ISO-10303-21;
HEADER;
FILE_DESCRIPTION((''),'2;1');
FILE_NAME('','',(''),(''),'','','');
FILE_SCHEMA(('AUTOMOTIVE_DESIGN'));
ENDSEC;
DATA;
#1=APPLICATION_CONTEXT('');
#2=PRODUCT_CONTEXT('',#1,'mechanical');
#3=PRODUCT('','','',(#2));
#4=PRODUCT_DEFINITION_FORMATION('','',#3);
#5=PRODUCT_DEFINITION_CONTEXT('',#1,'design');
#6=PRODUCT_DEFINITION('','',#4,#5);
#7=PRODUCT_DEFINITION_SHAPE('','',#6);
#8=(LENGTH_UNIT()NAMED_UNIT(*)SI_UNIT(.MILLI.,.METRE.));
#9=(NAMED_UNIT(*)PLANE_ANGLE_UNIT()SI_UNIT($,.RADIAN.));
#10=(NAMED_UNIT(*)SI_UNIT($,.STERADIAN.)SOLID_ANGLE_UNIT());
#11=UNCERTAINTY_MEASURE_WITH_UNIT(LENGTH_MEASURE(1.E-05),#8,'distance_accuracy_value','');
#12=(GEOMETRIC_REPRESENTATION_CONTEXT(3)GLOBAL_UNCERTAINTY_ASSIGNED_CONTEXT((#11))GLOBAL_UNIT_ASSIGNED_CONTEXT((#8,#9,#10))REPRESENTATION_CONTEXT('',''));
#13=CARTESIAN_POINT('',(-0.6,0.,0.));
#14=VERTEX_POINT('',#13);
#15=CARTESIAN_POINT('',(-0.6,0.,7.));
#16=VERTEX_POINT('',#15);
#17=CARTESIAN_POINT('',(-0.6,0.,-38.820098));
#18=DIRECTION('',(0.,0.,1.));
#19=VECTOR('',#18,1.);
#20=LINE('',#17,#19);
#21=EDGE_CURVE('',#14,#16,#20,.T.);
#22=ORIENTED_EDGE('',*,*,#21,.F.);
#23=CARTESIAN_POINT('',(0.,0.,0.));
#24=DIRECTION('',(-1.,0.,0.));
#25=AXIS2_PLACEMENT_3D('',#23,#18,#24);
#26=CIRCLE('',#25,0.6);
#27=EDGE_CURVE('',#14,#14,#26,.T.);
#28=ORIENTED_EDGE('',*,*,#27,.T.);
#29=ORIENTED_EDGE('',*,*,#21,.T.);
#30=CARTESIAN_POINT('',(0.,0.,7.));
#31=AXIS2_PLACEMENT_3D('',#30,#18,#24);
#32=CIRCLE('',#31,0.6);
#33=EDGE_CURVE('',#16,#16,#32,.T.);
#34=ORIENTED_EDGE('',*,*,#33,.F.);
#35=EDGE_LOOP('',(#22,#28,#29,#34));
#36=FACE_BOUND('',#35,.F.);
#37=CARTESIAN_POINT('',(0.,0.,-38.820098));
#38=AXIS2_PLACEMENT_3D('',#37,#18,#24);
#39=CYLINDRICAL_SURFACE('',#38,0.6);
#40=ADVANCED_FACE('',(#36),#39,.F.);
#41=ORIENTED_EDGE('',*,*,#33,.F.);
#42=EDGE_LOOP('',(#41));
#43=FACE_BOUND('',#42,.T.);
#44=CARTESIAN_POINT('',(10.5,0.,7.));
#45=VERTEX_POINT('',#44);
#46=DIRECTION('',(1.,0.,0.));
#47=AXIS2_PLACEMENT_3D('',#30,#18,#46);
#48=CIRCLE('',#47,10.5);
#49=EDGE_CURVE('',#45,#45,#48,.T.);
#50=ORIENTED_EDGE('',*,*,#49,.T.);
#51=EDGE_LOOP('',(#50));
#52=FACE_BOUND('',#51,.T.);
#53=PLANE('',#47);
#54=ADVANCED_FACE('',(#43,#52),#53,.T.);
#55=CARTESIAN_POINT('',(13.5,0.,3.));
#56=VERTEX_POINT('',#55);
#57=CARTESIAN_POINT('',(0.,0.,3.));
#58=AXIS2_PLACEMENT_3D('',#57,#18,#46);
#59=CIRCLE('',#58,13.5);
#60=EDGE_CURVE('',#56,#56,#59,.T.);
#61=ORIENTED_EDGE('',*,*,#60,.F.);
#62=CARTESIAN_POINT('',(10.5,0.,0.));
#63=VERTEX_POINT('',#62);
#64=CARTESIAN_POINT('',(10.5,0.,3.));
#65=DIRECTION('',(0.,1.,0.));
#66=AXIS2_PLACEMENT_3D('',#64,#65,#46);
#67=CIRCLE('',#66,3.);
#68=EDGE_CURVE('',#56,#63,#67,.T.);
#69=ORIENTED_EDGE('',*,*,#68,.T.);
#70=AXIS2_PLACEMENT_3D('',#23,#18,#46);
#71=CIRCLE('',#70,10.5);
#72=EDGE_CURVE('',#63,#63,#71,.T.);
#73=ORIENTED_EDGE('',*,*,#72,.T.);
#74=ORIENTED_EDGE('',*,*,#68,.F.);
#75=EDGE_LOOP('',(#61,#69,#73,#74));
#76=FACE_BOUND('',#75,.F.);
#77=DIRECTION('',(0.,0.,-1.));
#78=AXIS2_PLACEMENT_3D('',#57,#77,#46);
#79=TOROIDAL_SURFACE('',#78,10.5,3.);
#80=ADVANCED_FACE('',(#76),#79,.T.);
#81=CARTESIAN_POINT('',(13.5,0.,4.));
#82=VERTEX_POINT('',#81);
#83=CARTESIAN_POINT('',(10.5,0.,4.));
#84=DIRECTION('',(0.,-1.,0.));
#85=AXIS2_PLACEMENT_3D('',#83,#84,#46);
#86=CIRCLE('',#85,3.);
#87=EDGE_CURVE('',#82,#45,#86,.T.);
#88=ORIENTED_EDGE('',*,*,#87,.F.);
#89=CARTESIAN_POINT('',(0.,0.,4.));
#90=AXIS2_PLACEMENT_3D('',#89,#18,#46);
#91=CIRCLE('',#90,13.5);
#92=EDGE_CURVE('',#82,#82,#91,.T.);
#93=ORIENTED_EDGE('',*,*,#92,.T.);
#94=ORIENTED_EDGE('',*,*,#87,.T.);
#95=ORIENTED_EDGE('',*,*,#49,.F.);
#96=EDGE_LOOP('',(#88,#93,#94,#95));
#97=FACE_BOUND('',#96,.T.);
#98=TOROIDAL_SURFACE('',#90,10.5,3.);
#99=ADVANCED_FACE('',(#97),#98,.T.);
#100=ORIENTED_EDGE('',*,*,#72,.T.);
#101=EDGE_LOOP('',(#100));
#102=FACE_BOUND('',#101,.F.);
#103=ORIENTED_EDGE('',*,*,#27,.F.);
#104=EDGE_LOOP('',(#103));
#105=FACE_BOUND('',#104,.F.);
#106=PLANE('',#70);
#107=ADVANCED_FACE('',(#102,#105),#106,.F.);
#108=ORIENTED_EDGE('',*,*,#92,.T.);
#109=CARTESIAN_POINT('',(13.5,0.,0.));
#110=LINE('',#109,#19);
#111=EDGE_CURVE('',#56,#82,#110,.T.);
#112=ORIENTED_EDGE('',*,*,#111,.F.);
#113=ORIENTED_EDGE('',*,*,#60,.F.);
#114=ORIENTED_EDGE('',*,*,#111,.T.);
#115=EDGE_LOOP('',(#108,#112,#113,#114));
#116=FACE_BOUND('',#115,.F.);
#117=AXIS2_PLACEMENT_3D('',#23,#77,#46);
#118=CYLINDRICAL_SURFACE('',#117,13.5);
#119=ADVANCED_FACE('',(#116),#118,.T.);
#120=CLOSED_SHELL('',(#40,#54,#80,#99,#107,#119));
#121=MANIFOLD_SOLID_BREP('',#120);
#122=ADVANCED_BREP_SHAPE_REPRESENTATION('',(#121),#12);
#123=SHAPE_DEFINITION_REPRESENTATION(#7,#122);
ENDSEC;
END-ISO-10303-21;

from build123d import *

# Parameters (mm, degrees)
F0_R     = 13.5
F1_DEPTH = 7
F2_D     = 1.2
F3_R     = 3


with BuildPart() as f1:
    # F0 (on Top) → F1 (new body)
    with BuildSketch(Plane.XY):
        Circle(F0_R)
    extrude(amount=F1_DEPTH)

    # F2 (through all)
    with Locations(Plane(origin=(0, 0, 0), x_dir=(1, 0, 0), z_dir=(0, 0, -1))):
        with Locations((0, 0)):
            Hole(F2_D / 2)

    # F3
    f3_edges = [f1.edges().sort_by_distance(p)[0] for p in [
        (-13.5, 0, 0),
        (-13.5, 0, 7),
    ]]
    fillet(f3_edges, radius=F3_R)


solid = f1.part
